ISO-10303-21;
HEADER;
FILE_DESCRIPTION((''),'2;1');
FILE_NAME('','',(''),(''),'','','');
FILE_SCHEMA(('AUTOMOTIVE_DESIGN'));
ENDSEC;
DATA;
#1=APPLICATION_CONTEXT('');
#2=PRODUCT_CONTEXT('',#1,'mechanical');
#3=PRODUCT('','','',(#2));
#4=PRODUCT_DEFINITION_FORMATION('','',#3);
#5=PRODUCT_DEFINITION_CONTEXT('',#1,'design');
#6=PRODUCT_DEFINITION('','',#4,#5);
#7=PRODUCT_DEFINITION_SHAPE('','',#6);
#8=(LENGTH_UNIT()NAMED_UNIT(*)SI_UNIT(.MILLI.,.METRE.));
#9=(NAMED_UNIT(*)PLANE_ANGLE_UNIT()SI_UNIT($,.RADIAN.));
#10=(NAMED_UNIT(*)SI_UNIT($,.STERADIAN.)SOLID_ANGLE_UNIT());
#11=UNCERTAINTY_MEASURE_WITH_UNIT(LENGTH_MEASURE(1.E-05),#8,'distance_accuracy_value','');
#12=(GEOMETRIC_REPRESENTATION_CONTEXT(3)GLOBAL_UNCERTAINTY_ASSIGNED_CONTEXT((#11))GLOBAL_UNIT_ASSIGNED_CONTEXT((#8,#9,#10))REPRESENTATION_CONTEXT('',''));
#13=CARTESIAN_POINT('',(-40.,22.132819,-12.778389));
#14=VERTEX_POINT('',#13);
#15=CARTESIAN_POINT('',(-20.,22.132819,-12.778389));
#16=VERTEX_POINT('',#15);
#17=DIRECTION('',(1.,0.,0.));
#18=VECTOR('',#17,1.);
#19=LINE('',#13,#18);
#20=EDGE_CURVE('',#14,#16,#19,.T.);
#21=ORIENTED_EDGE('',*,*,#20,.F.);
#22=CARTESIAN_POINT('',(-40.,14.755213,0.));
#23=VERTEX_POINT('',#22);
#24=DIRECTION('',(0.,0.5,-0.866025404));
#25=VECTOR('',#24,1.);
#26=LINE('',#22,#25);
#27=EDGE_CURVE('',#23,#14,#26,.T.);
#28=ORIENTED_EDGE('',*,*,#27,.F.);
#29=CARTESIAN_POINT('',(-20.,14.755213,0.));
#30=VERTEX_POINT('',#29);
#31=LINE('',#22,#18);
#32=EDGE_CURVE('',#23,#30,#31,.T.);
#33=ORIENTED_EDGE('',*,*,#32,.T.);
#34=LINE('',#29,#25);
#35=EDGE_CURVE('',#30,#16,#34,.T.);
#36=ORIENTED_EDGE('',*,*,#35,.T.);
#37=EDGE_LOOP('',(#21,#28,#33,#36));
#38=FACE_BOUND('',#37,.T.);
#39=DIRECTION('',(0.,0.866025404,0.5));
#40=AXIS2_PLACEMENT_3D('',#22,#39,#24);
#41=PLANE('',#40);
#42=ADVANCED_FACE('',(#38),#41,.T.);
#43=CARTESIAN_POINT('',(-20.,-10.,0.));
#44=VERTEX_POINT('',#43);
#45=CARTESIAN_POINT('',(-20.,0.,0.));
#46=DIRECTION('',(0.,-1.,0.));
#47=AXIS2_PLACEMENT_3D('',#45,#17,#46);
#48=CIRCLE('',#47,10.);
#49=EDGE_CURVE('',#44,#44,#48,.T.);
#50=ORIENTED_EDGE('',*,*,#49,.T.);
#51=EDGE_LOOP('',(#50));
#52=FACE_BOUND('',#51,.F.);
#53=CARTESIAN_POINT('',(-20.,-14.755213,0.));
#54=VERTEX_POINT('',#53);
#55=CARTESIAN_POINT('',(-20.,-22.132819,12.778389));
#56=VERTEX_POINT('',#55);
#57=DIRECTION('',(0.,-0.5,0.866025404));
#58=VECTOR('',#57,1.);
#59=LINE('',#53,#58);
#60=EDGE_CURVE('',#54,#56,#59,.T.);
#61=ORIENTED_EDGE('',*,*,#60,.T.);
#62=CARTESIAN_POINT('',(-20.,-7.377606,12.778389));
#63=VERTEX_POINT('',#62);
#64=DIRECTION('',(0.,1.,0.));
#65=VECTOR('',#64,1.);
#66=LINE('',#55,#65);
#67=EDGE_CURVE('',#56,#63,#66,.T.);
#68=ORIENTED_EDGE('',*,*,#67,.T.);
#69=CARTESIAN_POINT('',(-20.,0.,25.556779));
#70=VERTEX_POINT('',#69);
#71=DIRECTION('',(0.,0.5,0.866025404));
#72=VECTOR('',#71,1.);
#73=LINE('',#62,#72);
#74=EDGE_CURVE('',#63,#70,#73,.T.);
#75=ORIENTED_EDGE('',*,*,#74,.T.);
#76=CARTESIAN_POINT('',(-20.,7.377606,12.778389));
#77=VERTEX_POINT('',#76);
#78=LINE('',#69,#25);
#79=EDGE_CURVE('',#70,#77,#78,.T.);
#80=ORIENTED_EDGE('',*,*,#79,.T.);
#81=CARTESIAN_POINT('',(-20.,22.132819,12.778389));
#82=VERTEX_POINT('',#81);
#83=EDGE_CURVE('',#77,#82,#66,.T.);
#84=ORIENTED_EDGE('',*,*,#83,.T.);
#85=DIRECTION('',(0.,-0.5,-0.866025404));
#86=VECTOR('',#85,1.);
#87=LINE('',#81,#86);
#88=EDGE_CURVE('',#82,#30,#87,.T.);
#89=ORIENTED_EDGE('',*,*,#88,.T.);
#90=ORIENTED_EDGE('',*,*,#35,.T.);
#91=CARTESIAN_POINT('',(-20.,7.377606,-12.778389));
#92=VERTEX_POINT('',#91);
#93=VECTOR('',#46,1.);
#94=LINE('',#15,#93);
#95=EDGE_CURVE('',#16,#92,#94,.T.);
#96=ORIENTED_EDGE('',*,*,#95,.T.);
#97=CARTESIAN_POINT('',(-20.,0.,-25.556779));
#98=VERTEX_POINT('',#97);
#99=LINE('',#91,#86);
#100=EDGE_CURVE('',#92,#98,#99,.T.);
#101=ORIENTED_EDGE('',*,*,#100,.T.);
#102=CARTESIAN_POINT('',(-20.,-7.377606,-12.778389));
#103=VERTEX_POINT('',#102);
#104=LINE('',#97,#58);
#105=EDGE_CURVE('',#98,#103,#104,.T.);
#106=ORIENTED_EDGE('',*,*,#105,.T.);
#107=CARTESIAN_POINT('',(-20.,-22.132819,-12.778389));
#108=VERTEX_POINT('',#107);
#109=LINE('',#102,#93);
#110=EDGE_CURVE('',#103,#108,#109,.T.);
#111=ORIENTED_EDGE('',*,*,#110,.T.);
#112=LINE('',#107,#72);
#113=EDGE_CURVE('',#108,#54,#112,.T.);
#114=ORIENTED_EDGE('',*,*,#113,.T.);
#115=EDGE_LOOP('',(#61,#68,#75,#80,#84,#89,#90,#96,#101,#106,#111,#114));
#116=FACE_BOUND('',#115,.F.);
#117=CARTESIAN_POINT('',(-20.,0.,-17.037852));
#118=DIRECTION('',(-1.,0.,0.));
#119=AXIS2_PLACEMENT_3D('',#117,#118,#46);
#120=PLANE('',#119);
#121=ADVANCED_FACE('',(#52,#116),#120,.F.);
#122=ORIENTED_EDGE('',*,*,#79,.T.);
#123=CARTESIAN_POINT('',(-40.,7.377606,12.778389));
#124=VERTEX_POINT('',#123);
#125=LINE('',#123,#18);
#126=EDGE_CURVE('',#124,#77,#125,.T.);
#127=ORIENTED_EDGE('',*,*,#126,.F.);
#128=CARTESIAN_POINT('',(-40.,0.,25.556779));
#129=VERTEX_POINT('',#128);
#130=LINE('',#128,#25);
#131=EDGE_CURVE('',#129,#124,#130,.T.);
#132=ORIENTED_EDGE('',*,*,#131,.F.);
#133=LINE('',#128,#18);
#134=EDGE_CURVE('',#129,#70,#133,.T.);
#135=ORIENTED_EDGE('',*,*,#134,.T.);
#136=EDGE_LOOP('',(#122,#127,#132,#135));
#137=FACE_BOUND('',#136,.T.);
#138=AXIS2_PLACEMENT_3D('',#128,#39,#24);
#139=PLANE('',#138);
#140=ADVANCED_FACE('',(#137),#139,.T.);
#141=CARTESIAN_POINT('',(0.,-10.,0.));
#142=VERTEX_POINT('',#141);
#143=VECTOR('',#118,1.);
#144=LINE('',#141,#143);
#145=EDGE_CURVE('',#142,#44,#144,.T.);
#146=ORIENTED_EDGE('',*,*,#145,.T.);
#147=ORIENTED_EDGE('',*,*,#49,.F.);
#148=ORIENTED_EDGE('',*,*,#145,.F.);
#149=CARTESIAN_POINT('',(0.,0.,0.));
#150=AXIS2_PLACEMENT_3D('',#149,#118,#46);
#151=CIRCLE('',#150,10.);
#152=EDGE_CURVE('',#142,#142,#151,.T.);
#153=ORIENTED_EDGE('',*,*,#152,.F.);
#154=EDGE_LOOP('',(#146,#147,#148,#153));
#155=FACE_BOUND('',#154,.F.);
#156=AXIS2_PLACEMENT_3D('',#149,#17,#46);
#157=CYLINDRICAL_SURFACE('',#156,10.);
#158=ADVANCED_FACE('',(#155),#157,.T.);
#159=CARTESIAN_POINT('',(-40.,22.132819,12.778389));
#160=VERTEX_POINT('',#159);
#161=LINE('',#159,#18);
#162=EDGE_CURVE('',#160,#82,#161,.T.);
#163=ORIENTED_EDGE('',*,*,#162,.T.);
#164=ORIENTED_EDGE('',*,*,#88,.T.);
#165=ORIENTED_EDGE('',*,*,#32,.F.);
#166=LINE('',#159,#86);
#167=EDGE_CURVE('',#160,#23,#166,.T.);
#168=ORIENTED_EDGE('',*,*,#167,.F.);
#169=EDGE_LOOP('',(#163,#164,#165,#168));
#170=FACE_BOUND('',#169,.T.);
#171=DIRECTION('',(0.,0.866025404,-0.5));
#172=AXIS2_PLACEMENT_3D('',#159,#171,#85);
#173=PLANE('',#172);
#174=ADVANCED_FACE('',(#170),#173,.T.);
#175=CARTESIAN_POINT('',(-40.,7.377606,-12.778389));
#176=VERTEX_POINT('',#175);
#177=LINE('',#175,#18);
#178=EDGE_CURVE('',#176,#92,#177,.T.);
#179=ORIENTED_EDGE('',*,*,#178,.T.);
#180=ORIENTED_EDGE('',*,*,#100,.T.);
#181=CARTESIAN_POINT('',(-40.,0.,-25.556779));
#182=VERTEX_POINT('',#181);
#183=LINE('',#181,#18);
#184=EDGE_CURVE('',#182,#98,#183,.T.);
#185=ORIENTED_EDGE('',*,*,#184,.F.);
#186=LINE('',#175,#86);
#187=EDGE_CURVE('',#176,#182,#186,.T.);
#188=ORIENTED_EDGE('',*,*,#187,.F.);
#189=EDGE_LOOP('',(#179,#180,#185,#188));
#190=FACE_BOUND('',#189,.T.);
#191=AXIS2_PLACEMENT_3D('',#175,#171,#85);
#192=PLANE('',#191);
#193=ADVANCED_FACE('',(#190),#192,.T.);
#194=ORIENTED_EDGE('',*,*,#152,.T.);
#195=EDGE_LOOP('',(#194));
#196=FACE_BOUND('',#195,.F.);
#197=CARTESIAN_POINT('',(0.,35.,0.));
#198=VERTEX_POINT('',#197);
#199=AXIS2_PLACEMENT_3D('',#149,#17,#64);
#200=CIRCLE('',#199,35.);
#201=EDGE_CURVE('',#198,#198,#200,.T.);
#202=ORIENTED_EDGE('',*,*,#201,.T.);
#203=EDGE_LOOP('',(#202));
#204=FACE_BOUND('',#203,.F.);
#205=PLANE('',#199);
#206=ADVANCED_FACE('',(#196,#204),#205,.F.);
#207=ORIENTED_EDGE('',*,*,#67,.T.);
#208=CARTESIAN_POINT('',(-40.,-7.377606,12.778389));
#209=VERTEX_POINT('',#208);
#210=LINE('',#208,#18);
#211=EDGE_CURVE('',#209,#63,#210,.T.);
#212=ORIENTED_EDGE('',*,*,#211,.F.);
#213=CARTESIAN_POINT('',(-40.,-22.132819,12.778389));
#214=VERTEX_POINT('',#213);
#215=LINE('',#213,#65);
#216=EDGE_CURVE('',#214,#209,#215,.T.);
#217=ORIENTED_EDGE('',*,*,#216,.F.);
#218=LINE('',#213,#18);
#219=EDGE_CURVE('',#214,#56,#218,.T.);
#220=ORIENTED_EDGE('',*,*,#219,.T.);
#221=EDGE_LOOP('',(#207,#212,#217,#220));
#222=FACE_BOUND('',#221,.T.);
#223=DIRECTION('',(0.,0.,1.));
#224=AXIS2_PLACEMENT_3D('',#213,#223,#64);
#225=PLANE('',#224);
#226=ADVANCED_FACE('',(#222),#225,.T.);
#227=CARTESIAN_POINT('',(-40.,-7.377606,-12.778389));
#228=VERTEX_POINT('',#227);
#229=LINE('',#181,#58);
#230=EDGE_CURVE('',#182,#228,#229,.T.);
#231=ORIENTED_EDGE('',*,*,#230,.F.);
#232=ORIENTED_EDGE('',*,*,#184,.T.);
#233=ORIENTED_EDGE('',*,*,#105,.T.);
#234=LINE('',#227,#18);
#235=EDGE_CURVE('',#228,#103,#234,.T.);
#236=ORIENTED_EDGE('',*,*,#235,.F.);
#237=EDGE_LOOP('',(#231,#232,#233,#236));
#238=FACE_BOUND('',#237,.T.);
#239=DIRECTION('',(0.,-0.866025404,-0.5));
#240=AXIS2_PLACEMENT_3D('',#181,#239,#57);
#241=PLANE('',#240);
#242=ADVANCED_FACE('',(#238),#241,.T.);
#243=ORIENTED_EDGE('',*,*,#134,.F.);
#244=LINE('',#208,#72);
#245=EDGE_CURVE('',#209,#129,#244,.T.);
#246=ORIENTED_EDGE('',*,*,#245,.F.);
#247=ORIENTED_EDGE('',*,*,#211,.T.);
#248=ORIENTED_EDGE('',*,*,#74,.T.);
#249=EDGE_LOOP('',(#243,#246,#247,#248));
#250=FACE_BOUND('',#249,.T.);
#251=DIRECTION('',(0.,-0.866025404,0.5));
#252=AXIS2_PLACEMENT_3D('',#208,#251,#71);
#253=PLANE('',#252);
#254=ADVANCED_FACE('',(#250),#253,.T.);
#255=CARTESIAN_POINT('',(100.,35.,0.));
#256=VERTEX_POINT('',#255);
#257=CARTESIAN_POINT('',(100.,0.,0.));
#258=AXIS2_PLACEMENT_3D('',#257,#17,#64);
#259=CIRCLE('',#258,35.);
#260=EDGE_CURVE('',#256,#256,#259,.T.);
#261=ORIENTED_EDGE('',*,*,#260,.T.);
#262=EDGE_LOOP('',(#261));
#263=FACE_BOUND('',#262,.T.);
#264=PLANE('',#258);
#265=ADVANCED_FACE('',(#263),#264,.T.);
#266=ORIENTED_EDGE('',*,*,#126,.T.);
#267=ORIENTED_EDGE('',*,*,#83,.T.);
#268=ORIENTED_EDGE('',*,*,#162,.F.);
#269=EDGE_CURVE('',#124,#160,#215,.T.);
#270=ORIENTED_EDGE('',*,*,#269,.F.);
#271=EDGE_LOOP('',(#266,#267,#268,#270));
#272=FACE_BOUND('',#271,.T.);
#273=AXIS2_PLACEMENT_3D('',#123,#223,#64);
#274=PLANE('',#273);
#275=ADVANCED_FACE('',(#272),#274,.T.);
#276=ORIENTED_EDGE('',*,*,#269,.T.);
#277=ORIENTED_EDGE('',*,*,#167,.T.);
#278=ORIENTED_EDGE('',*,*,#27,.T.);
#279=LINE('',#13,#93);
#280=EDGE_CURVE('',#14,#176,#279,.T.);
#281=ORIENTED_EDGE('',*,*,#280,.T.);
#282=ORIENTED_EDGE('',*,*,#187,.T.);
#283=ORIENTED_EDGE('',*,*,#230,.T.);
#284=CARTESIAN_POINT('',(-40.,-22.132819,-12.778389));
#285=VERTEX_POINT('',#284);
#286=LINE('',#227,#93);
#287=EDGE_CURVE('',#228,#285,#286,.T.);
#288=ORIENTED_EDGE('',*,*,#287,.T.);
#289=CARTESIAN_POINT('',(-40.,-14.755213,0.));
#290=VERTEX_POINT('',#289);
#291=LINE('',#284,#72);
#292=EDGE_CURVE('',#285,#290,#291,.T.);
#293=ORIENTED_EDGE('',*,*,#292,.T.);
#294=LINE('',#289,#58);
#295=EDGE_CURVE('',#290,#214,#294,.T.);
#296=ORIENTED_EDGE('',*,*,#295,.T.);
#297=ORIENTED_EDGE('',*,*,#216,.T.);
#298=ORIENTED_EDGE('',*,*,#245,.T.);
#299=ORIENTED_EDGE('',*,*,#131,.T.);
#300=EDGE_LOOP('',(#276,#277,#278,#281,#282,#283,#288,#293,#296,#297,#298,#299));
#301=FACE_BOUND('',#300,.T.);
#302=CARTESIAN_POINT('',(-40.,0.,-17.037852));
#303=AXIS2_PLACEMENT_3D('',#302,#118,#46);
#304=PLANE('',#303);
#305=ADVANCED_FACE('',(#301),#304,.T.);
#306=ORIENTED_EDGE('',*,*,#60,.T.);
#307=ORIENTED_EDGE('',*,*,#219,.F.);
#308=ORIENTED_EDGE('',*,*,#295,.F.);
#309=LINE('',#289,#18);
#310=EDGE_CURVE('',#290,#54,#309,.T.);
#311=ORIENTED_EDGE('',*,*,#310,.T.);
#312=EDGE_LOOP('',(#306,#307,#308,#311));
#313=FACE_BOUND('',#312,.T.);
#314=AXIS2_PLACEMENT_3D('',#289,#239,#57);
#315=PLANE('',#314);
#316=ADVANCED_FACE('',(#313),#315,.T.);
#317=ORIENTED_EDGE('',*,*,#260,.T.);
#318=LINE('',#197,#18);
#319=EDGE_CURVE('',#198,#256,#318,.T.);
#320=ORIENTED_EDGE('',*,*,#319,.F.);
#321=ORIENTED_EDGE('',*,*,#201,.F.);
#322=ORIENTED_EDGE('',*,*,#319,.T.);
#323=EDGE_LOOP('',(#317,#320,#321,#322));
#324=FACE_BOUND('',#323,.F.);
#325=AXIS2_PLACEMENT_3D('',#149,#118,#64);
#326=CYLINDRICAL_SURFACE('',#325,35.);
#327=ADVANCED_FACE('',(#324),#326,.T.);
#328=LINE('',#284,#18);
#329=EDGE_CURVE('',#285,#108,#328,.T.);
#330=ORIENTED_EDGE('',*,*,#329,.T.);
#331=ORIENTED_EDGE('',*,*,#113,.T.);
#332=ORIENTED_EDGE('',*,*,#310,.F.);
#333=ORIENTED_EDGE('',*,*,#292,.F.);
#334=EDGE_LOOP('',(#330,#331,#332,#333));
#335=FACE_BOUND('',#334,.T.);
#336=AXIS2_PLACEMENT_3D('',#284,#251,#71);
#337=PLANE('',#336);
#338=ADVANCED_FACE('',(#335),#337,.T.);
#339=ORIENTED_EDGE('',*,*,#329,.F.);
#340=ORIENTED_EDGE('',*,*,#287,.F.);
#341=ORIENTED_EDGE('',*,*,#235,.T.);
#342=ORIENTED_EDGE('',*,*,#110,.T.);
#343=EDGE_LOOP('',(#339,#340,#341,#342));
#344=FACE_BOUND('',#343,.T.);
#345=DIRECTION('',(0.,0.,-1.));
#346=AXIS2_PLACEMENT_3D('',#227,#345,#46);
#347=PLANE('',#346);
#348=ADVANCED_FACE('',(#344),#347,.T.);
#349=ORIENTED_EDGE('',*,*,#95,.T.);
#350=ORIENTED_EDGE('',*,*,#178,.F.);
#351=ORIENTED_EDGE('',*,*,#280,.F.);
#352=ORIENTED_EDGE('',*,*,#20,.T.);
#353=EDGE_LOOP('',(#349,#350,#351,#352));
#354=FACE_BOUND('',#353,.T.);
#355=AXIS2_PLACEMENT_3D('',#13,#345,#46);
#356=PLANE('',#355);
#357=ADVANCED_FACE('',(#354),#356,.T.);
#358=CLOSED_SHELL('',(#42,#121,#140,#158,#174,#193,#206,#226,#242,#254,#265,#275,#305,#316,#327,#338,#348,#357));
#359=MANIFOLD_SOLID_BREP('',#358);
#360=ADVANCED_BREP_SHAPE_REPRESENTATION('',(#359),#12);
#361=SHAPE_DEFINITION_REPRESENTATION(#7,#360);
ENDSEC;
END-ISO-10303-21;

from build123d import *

# Parameters (mm, degrees)
F0_R     = 35
F1_DEPTH = 100
F2_R     = 10
F3_DEPTH = 40
F5_DEPTH = 20


with BuildPart() as f1:
    # F0 (on Right) → F1 (new body)
    with BuildSketch(Plane.YZ):
        Circle(F0_R)
    extrude(amount=F1_DEPTH)

    # F2 (on face) → F3 (join)
    with BuildSketch(Plane(origin=(0, 0, 0), x_dir=(0, -1, 0), z_dir=(-1, 0, 0))):
        Circle(F2_R)
    extrude(amount=F3_DEPTH)

    # F4 (on face) → F5 (join)
    with BuildSketch(Plane(origin=(-40, 0, 0), x_dir=(0, -1, 0), z_dir=(-1, 0, 0))):
        Polygon((-7.3776064835, -12.7783892676), (0, -25.5567785352), (7.3776064835, -12.7783892676), align=None)
        Polygon((-22.1328194504, -12.7783892676), (-7.3776064835, -12.7783892676), (-14.7552129669, 0), align=None)
        Polygon((-14.7552129669, 0), (-7.3776064835, -12.7783892676), (7.3776064835, -12.7783892676), (14.7552129669, 0), (7.3776064835, 12.7783892676), (-7.3776064835, 12.7783892676), align=None)
        Polygon((14.7552129669, 0), (7.3776064835, -12.7783892676), (22.1328194504, -12.7783892676), align=None)
        Polygon((-22.1328194504, 12.7783892676), (-14.7552129669, 0), (-7.3776064835, 12.7783892676), align=None)
        Polygon((7.3776064835, 12.7783892676), (14.7552129669, 0), (22.1328194504, 12.7783892676), align=None)
        Polygon((0, 25.5567785352), (-7.3776064835, 12.7783892676), (7.3776064835, 12.7783892676), align=None)
    extrude(amount=-F5_DEPTH)


solid = f1.part
